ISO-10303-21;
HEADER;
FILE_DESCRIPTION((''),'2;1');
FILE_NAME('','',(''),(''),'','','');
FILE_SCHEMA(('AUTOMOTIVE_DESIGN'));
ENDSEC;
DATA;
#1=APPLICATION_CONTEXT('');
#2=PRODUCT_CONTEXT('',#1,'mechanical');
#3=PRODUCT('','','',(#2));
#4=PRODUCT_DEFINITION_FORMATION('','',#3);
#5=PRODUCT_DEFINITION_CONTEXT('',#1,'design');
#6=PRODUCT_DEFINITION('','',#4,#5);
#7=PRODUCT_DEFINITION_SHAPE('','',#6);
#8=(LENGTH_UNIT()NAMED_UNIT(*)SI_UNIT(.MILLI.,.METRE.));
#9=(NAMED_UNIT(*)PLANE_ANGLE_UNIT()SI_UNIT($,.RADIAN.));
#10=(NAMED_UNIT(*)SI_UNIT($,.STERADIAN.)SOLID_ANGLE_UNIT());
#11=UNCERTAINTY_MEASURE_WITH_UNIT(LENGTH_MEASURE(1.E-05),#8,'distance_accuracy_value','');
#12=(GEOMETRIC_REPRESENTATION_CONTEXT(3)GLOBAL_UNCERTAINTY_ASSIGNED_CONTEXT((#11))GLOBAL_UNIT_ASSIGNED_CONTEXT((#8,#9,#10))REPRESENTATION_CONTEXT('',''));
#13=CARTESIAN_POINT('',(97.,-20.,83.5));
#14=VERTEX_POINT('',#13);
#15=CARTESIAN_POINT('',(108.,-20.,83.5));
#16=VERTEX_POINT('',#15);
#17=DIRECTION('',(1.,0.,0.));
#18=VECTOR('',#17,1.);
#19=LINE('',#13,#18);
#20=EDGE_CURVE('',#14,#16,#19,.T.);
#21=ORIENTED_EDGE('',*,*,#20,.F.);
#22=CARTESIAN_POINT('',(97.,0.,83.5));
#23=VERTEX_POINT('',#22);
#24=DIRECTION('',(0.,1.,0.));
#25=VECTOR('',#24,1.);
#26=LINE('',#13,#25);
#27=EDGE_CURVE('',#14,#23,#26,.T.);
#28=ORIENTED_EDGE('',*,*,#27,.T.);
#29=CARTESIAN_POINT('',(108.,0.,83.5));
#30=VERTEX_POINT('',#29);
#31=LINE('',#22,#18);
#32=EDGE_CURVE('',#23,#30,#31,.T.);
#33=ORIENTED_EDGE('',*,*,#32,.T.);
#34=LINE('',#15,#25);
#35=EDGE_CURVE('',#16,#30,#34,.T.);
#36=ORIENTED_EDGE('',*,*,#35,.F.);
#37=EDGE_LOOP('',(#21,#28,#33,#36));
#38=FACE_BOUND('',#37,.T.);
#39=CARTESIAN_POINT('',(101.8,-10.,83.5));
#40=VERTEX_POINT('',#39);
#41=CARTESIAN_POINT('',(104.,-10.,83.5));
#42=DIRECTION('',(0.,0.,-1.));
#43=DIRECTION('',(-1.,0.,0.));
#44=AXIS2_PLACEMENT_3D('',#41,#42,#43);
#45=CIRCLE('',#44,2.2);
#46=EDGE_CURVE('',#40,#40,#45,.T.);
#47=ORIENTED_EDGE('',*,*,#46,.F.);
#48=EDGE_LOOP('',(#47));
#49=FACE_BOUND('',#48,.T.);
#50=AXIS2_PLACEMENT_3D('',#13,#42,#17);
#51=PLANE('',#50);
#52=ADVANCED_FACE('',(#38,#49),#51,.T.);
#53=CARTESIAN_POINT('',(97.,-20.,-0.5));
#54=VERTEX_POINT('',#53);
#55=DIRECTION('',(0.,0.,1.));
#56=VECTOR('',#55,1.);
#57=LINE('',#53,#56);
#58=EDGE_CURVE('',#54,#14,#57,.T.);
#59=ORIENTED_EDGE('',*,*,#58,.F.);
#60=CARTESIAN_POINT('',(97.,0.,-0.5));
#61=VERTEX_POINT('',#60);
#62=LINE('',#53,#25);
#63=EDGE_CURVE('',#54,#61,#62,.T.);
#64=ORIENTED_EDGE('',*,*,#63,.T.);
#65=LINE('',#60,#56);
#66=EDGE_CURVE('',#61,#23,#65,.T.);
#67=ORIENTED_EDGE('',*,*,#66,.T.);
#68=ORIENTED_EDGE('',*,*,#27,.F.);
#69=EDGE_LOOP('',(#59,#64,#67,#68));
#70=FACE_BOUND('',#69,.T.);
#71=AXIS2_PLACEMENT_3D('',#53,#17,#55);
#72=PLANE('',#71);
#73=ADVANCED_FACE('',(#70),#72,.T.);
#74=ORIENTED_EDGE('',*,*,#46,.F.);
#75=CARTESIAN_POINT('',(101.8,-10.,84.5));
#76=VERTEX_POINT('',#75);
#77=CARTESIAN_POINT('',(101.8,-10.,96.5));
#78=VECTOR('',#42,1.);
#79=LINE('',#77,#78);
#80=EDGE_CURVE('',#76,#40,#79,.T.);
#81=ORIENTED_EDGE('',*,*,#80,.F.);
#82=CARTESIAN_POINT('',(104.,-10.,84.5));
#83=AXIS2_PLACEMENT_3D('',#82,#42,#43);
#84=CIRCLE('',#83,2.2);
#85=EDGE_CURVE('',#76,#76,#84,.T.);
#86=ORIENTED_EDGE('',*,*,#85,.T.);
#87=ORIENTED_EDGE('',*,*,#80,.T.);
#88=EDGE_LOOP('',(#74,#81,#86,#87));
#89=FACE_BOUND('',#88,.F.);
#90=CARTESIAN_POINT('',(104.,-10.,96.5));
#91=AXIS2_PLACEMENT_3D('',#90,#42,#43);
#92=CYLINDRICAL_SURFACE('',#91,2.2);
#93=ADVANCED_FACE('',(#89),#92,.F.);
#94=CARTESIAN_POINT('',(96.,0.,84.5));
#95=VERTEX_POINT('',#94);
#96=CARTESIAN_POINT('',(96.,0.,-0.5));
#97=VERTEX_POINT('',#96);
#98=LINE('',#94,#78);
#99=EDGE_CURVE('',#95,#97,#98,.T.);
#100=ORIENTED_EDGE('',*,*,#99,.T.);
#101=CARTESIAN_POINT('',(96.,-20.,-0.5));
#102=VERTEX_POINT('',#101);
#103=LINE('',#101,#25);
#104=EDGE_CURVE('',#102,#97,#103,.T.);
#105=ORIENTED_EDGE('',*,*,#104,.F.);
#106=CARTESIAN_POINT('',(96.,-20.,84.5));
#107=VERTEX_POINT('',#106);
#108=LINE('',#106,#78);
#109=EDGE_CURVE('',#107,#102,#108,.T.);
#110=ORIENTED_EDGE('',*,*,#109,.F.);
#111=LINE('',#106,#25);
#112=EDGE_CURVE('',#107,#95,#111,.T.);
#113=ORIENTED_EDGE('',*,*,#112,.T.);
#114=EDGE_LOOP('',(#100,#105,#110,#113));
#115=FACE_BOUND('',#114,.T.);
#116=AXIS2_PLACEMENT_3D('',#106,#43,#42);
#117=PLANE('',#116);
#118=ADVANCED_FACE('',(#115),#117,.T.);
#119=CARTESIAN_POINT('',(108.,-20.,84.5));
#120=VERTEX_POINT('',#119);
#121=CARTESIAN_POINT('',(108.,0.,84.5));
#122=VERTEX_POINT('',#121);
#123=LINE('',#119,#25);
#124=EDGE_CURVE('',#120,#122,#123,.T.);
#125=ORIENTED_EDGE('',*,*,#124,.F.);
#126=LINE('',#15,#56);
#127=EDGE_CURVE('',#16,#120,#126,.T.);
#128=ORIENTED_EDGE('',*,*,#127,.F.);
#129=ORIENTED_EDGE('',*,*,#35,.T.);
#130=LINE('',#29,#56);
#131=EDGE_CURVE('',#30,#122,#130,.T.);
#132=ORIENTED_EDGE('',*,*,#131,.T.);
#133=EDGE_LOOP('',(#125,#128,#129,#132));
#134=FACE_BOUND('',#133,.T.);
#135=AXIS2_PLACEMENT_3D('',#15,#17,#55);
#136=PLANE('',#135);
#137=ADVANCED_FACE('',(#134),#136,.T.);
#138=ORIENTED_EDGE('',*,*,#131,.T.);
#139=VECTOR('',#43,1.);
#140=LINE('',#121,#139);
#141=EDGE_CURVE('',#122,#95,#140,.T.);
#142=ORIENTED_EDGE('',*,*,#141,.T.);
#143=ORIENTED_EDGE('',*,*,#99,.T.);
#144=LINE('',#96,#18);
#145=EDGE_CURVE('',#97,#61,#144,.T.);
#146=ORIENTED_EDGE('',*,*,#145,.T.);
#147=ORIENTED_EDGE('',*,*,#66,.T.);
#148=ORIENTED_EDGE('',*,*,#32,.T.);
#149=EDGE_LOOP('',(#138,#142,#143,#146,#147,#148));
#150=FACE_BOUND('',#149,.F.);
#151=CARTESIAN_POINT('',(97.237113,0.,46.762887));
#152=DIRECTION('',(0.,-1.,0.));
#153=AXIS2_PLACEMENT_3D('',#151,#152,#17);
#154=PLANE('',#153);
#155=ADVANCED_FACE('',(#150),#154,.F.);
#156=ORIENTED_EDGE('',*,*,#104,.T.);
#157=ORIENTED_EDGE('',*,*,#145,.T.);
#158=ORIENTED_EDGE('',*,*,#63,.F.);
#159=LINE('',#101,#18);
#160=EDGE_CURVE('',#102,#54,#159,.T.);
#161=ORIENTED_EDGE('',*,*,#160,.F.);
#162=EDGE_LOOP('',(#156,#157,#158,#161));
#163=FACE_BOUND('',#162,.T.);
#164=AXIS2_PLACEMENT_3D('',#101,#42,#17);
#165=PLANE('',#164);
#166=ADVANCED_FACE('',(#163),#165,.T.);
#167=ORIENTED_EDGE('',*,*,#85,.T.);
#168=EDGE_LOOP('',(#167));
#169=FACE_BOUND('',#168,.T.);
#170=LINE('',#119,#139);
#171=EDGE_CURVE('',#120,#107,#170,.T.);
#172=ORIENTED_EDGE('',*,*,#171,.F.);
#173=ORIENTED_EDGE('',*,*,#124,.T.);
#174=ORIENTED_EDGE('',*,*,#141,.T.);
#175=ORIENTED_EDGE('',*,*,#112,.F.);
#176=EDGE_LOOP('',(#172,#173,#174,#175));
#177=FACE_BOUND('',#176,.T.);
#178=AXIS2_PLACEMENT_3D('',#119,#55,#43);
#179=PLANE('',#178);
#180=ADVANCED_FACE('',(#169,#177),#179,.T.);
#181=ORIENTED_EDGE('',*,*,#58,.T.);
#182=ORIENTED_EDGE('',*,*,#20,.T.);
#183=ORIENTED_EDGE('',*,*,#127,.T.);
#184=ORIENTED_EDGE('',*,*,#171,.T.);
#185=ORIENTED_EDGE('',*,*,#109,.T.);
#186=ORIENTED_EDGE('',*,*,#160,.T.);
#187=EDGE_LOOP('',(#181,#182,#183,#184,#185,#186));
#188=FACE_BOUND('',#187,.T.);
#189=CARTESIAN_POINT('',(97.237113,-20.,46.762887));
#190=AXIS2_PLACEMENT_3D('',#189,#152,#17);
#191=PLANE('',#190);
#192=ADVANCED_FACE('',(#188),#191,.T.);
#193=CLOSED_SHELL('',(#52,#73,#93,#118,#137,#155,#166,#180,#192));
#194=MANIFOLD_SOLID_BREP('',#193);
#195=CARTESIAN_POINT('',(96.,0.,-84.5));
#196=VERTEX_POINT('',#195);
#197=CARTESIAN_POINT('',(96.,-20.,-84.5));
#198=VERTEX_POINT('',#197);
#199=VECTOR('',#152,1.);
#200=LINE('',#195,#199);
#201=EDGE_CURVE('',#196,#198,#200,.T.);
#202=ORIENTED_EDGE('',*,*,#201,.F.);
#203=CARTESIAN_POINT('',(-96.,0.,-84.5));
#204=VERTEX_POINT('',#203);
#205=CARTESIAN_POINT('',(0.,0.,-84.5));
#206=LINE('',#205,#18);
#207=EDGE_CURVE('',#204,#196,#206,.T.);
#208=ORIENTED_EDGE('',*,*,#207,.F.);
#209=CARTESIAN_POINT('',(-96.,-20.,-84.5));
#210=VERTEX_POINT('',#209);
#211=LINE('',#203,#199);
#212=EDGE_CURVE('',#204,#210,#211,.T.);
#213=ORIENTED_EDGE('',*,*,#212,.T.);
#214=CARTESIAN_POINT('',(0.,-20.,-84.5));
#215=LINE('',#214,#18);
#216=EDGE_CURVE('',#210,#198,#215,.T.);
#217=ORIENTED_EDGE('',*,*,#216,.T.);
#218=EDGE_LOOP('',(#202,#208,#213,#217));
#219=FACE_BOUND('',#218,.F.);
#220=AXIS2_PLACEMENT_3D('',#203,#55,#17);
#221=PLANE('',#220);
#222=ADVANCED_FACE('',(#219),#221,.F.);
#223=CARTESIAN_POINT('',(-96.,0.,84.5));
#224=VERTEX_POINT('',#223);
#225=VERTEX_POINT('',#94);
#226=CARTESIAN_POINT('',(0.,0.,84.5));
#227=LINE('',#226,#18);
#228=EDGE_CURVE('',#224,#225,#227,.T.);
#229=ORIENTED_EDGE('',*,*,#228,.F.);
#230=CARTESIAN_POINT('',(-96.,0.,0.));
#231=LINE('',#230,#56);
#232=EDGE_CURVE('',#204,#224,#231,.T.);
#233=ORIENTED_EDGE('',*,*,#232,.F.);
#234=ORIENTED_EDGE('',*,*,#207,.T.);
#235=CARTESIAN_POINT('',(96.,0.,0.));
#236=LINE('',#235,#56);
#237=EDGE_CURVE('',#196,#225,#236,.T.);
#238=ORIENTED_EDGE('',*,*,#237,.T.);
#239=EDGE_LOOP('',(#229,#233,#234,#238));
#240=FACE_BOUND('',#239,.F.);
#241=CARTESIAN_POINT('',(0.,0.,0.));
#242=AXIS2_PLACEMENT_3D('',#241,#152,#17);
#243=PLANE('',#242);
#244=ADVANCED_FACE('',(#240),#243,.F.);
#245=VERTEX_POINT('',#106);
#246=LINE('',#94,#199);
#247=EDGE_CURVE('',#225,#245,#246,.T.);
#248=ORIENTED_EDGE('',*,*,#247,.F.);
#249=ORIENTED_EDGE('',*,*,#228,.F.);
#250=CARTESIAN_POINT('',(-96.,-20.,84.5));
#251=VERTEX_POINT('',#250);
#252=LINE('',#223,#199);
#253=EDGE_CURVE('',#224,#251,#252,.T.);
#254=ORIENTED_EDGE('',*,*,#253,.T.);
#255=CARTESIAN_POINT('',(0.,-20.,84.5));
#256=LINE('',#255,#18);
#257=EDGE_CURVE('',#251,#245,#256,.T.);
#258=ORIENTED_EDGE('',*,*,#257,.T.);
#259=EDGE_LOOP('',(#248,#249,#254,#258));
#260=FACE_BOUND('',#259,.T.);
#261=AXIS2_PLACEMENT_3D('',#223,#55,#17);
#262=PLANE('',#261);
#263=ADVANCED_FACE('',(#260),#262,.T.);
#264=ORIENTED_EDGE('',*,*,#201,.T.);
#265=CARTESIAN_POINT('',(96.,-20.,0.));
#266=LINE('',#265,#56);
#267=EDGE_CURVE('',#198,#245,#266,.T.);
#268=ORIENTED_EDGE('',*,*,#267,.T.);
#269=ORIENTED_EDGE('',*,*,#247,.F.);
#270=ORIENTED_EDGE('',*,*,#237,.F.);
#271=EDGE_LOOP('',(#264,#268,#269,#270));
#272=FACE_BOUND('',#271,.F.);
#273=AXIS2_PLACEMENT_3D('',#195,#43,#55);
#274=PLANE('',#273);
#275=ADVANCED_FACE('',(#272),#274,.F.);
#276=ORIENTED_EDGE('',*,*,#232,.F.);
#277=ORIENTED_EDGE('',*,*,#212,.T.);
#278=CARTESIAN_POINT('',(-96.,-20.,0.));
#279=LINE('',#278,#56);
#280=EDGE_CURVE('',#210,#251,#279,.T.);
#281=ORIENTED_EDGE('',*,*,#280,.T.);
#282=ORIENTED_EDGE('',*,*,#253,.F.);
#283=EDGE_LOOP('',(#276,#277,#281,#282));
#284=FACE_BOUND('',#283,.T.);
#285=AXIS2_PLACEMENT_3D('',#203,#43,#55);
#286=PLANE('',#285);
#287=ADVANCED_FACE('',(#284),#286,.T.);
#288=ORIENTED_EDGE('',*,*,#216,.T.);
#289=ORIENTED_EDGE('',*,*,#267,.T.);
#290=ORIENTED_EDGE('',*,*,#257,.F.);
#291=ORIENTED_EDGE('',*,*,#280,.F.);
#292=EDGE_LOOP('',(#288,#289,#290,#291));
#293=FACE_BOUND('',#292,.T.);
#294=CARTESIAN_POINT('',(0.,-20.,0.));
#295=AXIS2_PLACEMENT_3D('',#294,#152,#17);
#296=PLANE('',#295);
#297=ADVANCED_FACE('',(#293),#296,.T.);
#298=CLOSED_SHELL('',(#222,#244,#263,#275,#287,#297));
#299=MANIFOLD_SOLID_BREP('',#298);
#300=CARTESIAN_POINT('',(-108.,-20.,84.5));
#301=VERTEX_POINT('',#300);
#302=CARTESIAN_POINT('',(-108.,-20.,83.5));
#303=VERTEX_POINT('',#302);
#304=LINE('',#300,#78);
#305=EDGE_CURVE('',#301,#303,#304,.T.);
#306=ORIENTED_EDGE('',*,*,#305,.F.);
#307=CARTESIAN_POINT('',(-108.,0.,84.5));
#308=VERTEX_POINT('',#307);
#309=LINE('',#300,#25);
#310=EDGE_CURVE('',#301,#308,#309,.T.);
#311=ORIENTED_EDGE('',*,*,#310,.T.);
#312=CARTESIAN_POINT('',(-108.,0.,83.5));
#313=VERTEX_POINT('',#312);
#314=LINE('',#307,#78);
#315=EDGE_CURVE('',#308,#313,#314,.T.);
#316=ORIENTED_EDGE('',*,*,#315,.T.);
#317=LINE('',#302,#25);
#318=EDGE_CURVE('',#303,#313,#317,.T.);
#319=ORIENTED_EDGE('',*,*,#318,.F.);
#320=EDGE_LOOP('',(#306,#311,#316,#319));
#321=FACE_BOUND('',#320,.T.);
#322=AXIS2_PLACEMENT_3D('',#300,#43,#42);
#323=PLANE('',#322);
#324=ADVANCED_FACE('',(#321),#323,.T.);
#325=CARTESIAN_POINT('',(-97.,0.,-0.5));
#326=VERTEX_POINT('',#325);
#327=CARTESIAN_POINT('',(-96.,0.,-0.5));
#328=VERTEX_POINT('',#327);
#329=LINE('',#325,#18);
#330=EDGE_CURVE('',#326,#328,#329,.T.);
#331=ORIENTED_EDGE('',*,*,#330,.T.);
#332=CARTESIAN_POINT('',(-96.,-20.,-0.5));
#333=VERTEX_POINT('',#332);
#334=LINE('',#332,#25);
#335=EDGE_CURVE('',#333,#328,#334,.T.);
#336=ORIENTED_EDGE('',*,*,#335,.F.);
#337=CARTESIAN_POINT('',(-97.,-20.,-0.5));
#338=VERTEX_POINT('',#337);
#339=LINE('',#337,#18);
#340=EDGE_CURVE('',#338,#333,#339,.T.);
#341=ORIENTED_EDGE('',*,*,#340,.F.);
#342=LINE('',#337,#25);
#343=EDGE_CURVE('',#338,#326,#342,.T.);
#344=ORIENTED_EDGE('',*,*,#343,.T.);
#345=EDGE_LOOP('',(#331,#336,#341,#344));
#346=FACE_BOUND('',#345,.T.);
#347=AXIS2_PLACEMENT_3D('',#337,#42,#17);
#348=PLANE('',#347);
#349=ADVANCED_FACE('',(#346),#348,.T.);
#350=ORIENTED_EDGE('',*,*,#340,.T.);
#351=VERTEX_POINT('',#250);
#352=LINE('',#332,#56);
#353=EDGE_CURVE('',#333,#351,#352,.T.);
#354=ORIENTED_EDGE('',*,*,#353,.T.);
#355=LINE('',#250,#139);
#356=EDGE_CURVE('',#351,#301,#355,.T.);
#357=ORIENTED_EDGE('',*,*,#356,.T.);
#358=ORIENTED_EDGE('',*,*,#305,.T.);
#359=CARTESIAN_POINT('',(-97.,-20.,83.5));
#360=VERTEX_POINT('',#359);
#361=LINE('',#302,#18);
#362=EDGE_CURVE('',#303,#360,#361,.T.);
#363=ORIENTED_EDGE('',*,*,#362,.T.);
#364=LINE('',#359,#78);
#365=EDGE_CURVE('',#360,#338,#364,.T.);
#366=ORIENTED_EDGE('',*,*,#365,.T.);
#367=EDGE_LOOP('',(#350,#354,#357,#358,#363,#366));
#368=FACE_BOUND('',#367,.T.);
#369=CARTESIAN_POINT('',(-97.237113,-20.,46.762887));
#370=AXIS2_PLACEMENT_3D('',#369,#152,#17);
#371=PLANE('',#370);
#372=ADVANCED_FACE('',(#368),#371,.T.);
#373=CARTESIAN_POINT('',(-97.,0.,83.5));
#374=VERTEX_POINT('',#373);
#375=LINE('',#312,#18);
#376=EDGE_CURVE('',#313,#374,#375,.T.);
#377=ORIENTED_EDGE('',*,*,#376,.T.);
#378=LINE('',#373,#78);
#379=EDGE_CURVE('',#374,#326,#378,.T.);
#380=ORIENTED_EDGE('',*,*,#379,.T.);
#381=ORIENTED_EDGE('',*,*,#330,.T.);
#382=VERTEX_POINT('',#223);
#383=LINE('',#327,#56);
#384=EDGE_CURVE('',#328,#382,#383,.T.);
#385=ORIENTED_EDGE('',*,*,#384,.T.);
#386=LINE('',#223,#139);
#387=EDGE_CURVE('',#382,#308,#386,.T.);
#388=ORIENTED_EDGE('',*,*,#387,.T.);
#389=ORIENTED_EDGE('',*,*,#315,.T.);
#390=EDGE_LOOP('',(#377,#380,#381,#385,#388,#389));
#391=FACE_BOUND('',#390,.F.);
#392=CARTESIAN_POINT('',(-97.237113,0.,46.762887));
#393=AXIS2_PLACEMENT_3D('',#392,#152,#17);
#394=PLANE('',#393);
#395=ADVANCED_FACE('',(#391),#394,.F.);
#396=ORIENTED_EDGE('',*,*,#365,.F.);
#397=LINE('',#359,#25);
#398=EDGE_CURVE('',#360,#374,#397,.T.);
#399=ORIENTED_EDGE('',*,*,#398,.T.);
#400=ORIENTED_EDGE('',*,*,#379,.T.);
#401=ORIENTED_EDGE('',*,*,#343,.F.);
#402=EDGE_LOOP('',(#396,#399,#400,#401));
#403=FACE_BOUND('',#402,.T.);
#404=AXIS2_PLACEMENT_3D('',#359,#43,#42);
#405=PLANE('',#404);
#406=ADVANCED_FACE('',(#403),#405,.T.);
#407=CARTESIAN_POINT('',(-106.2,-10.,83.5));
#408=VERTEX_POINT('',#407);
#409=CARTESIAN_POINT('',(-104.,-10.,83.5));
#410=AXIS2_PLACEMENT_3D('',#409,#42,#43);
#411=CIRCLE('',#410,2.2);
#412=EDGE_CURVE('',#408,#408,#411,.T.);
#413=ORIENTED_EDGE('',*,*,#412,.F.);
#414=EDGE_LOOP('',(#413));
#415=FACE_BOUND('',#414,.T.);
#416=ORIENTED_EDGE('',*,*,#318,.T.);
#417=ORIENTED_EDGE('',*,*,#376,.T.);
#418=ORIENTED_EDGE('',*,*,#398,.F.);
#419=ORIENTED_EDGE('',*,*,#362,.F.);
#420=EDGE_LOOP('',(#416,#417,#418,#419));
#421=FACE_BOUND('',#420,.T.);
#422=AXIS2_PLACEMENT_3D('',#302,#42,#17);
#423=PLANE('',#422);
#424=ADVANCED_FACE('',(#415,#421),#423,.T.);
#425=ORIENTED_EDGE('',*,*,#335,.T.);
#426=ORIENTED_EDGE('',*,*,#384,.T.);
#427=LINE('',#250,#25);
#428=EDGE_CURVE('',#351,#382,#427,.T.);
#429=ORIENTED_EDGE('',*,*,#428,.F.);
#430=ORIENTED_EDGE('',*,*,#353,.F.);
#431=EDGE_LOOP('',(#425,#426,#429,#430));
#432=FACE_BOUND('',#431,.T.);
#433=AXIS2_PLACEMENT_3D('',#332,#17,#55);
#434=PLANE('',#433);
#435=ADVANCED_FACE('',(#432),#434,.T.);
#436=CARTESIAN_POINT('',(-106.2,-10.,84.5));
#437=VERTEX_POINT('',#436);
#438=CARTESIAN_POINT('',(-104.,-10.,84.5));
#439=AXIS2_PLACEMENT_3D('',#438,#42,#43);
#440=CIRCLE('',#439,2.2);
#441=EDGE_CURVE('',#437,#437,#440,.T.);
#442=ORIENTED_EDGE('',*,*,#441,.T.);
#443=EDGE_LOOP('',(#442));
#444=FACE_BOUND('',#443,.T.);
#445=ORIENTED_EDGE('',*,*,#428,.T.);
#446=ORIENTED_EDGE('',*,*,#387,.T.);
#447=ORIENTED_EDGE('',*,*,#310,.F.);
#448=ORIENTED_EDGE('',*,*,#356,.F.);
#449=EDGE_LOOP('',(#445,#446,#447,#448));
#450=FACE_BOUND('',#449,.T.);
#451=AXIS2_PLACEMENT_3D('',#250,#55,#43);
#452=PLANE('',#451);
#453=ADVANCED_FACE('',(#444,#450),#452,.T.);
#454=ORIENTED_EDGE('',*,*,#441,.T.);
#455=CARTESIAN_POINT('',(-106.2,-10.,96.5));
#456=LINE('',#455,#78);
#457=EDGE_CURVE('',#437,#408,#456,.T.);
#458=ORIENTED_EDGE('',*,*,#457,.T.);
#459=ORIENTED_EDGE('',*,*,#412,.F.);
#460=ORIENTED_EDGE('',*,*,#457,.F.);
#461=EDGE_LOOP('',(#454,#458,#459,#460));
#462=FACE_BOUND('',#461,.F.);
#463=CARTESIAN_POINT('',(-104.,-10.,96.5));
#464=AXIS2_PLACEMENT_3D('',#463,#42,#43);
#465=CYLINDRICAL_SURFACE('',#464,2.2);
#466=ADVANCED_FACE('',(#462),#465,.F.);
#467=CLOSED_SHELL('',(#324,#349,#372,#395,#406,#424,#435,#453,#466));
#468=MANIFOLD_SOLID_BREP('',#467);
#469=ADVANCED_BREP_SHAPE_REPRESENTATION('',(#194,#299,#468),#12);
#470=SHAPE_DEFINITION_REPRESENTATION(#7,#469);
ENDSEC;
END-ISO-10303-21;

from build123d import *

# Parameters (mm, degrees)
F0_W       = 192
F0_H       = 169
F1_DEPTH   = 20
F3_DEPTH   = 20
F5_D       = 4.4
F5_DEPTH   = 12
F5_TIP     = 1.3218933619
F5_2_D     = 4.4
F5_2_DEPTH = 12
F5_2_TIP   = 1.3218933619


with BuildPart() as f1:
    # F0 (on Front) → F1 (new body)
    with BuildSketch(Plane.XZ):
        Rectangle(F0_W, F0_H)
    extrude(amount=F1_DEPTH)


with BuildPart() as f3:
    # F2 (on face) → F3 (new body)
    with BuildSketch(Plane.XZ.offset(20)):
        Polygon((-96, -0.5), (-96, 84.5), (-97, 84.5), (-108, 84.5), (-108, 83.5), (-97, 83.5), (-97, -0.5), align=None)
    extrude(amount=-F3_DEPTH)

    # F5
    with Locations(Plane.XY.offset(84.5)):
        with Locations((-104, -10), (104, -10)):
            Hole(F5_D / 2, depth=F5_DEPTH)
            with Locations((0, 0, -(F5_DEPTH + F5_TIP / 2))):  # 118° drill point
                Cone(0, F5_D / 2, F5_TIP, mode=Mode.SUBTRACT)


with BuildPart() as f3b:
    # F2 (on face) → F3, piece 2 (new body)
    with BuildSketch(Plane.XZ.offset(20)):
        Polygon((108, 83.5), (108, 84.5), (97, 84.5), (96, 84.5), (96, -0.5), (97, -0.5), (97, 83.5), align=None)
    extrude(amount=-F3_DEPTH)

    # F5#2
    with Locations(Plane.XY.offset(84.5)):
        with Locations((-104, -10), (104, -10)):
            Hole(F5_2_D / 2, depth=F5_2_DEPTH)
            with Locations((0, 0, -(F5_2_DEPTH + F5_2_TIP / 2))):  # 118° drill point
                Cone(0, F5_2_D / 2, F5_2_TIP, mode=Mode.SUBTRACT)


solid = Compound([f1.part, f3.part, f3b.part])
